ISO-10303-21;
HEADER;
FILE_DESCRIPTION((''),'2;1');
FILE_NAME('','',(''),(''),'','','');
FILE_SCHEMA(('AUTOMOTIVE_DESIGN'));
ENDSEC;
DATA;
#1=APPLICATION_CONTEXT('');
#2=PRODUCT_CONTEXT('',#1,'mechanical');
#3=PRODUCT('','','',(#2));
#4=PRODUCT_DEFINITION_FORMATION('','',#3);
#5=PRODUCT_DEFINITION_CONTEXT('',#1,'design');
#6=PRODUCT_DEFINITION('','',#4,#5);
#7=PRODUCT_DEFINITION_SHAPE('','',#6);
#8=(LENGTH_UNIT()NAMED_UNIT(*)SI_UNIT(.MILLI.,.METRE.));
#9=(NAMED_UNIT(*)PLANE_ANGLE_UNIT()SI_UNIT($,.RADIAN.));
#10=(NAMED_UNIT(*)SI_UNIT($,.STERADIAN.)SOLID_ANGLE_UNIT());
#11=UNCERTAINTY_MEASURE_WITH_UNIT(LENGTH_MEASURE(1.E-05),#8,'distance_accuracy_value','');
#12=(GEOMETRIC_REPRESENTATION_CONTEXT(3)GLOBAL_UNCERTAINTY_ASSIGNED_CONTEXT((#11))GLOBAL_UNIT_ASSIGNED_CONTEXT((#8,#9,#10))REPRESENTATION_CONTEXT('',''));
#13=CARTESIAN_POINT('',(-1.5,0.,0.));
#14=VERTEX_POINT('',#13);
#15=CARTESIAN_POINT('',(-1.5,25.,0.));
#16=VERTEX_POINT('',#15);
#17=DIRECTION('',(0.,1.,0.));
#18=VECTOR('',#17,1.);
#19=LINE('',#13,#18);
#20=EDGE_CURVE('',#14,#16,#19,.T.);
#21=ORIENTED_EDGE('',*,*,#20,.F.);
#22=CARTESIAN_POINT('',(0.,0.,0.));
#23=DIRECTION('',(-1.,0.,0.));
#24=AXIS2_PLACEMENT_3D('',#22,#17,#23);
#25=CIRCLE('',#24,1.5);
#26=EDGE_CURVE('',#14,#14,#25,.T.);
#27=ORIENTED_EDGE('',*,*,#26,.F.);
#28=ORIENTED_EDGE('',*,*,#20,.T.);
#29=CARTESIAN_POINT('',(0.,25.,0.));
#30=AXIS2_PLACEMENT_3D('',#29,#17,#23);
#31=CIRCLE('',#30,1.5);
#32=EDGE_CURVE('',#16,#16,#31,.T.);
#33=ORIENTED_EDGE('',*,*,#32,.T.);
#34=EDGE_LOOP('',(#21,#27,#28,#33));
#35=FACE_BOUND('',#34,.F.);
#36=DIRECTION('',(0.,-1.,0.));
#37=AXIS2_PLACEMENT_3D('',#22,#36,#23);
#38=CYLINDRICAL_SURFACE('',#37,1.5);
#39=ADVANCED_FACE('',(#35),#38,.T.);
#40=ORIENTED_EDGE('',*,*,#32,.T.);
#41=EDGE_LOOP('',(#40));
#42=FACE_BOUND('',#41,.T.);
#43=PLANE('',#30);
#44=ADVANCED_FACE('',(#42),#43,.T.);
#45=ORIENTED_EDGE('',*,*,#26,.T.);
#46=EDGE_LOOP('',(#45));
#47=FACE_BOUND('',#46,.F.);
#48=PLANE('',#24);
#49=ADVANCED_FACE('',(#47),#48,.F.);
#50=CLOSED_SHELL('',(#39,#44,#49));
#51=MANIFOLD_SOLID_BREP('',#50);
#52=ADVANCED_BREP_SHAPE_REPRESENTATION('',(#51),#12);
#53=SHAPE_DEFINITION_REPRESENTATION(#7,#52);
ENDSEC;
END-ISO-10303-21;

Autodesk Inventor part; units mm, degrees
ref_plane "YZ Plane" through (0, 0, 0) normal (1, 0, 0) x (0, 1, 0)
ref_plane "XZ Plane" through (0, 0, 0) normal (0, 1, 0) x (-1, 0, 0)
ref_plane "XY Plane" through (0, 0, 0) normal (0, 0, 1) x (1, 0, 0)
sketch "Szkic1" plane through (0, 0, 0) normal (0, 1, 0) x (-1, 0, 0)
  circle A0 centre (0, 0) radius 1.5
  dimension "d0" = 3
extrude "Wyciągnięcie proste1" add sketch "Szkic1" along normal blind 25
properties part number "os" material "Stal"
